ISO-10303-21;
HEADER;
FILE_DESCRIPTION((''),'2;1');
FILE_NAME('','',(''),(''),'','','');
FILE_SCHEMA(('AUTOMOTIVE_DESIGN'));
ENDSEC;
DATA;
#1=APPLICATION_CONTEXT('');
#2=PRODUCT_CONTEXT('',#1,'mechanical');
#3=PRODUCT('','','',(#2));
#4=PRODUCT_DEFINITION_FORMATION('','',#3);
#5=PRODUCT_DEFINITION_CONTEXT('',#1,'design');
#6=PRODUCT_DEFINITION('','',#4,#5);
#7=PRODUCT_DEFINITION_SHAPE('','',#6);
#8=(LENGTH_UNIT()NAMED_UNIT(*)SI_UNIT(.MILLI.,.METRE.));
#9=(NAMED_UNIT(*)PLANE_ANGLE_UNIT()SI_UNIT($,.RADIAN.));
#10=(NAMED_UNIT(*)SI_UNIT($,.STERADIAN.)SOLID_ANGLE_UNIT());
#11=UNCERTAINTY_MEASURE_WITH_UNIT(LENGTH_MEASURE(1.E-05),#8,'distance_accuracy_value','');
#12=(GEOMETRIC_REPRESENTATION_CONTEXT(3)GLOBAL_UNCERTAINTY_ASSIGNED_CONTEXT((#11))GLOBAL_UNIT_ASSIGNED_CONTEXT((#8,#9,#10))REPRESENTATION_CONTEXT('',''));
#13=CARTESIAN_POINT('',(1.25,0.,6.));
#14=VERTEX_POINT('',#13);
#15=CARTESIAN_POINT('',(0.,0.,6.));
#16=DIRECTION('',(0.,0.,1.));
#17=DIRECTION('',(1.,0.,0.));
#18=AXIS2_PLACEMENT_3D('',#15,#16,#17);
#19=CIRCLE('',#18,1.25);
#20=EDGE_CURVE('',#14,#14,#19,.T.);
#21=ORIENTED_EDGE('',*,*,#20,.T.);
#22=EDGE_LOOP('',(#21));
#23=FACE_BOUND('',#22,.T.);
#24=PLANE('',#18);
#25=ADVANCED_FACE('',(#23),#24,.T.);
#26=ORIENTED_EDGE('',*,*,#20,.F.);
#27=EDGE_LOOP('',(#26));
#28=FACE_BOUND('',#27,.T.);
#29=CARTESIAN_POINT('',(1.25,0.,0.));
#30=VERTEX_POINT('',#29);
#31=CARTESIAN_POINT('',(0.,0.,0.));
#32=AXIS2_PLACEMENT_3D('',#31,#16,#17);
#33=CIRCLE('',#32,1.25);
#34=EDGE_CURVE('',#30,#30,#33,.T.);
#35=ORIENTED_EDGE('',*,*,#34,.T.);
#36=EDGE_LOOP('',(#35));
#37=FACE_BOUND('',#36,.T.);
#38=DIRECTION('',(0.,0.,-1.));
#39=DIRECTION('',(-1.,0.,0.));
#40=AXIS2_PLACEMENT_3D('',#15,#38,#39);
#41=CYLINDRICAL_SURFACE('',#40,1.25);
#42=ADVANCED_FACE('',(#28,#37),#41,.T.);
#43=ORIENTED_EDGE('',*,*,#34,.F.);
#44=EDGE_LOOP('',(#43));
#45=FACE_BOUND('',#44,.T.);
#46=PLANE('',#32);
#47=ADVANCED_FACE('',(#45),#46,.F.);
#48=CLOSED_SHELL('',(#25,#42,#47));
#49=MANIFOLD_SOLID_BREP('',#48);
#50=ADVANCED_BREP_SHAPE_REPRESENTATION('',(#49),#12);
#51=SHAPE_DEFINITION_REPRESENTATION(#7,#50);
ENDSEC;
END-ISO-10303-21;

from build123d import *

# Parameters (mm, degrees)
SKETCH1_R           = 1.25
BOSS_EXTRUDE1_DEPTH = 6


with BuildPart() as part:
    # Sketch1 → Boss-Extrude1 (new body)
    with BuildSketch(Plane.XY):
        Circle(SKETCH1_R)
    extrude(amount=BOSS_EXTRUDE1_DEPTH)


solid = part.part
